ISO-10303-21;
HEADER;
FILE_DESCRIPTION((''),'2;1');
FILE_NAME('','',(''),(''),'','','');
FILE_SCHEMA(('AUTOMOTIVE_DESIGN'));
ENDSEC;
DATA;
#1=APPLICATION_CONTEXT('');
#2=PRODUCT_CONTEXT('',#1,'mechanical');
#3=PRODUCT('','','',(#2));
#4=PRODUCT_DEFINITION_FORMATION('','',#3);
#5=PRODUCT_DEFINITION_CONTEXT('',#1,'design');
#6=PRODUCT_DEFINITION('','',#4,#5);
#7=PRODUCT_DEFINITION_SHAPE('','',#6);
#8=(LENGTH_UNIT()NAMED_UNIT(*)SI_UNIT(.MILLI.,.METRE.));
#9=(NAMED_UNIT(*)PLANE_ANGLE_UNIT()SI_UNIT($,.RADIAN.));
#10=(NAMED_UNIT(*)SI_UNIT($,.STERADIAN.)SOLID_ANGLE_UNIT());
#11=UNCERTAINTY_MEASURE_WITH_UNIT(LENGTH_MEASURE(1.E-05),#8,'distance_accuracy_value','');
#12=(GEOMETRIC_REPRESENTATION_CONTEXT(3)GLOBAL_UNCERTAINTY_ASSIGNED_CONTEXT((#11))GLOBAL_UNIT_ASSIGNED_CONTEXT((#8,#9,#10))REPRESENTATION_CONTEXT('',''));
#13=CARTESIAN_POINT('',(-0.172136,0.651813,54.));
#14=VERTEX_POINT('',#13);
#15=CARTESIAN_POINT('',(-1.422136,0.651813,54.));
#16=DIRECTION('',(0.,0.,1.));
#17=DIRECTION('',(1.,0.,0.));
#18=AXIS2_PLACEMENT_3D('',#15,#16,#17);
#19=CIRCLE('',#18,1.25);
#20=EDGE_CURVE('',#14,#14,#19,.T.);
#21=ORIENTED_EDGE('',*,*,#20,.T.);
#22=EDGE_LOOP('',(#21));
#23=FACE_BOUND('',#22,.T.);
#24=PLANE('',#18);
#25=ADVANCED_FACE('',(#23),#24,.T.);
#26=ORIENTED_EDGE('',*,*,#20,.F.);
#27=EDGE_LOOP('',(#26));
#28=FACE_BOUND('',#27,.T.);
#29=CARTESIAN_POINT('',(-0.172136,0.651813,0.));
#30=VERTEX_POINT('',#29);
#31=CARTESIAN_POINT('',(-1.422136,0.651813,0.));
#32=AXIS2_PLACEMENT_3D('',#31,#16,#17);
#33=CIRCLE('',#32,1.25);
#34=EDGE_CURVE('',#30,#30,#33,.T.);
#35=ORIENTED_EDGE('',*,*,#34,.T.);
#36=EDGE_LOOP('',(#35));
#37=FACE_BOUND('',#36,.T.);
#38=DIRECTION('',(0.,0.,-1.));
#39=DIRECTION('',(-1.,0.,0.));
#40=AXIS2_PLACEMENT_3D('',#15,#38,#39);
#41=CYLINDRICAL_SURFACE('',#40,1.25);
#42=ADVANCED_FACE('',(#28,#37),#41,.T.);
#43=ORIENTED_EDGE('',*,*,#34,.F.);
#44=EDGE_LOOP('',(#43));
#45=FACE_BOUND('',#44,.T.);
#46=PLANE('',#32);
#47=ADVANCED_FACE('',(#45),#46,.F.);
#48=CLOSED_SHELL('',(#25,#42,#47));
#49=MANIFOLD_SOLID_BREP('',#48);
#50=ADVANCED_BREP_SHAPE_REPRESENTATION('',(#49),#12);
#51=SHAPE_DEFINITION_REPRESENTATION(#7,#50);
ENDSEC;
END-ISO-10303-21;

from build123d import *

# Parameters (mm, degrees)
ESBO_O1_R                = 1.25
RESSALTO_EXTRUS_O1_DEPTH = 54


with BuildPart() as part:
    # Esboço1 → Ressalto-extrusão1 (new body)
    with BuildSketch(Plane.XY):
        with Locations((-1.422136389, 0.651812512)):
            Circle(ESBO_O1_R)
    extrude(amount=RESSALTO_EXTRUS_O1_DEPTH)


solid = part.part
